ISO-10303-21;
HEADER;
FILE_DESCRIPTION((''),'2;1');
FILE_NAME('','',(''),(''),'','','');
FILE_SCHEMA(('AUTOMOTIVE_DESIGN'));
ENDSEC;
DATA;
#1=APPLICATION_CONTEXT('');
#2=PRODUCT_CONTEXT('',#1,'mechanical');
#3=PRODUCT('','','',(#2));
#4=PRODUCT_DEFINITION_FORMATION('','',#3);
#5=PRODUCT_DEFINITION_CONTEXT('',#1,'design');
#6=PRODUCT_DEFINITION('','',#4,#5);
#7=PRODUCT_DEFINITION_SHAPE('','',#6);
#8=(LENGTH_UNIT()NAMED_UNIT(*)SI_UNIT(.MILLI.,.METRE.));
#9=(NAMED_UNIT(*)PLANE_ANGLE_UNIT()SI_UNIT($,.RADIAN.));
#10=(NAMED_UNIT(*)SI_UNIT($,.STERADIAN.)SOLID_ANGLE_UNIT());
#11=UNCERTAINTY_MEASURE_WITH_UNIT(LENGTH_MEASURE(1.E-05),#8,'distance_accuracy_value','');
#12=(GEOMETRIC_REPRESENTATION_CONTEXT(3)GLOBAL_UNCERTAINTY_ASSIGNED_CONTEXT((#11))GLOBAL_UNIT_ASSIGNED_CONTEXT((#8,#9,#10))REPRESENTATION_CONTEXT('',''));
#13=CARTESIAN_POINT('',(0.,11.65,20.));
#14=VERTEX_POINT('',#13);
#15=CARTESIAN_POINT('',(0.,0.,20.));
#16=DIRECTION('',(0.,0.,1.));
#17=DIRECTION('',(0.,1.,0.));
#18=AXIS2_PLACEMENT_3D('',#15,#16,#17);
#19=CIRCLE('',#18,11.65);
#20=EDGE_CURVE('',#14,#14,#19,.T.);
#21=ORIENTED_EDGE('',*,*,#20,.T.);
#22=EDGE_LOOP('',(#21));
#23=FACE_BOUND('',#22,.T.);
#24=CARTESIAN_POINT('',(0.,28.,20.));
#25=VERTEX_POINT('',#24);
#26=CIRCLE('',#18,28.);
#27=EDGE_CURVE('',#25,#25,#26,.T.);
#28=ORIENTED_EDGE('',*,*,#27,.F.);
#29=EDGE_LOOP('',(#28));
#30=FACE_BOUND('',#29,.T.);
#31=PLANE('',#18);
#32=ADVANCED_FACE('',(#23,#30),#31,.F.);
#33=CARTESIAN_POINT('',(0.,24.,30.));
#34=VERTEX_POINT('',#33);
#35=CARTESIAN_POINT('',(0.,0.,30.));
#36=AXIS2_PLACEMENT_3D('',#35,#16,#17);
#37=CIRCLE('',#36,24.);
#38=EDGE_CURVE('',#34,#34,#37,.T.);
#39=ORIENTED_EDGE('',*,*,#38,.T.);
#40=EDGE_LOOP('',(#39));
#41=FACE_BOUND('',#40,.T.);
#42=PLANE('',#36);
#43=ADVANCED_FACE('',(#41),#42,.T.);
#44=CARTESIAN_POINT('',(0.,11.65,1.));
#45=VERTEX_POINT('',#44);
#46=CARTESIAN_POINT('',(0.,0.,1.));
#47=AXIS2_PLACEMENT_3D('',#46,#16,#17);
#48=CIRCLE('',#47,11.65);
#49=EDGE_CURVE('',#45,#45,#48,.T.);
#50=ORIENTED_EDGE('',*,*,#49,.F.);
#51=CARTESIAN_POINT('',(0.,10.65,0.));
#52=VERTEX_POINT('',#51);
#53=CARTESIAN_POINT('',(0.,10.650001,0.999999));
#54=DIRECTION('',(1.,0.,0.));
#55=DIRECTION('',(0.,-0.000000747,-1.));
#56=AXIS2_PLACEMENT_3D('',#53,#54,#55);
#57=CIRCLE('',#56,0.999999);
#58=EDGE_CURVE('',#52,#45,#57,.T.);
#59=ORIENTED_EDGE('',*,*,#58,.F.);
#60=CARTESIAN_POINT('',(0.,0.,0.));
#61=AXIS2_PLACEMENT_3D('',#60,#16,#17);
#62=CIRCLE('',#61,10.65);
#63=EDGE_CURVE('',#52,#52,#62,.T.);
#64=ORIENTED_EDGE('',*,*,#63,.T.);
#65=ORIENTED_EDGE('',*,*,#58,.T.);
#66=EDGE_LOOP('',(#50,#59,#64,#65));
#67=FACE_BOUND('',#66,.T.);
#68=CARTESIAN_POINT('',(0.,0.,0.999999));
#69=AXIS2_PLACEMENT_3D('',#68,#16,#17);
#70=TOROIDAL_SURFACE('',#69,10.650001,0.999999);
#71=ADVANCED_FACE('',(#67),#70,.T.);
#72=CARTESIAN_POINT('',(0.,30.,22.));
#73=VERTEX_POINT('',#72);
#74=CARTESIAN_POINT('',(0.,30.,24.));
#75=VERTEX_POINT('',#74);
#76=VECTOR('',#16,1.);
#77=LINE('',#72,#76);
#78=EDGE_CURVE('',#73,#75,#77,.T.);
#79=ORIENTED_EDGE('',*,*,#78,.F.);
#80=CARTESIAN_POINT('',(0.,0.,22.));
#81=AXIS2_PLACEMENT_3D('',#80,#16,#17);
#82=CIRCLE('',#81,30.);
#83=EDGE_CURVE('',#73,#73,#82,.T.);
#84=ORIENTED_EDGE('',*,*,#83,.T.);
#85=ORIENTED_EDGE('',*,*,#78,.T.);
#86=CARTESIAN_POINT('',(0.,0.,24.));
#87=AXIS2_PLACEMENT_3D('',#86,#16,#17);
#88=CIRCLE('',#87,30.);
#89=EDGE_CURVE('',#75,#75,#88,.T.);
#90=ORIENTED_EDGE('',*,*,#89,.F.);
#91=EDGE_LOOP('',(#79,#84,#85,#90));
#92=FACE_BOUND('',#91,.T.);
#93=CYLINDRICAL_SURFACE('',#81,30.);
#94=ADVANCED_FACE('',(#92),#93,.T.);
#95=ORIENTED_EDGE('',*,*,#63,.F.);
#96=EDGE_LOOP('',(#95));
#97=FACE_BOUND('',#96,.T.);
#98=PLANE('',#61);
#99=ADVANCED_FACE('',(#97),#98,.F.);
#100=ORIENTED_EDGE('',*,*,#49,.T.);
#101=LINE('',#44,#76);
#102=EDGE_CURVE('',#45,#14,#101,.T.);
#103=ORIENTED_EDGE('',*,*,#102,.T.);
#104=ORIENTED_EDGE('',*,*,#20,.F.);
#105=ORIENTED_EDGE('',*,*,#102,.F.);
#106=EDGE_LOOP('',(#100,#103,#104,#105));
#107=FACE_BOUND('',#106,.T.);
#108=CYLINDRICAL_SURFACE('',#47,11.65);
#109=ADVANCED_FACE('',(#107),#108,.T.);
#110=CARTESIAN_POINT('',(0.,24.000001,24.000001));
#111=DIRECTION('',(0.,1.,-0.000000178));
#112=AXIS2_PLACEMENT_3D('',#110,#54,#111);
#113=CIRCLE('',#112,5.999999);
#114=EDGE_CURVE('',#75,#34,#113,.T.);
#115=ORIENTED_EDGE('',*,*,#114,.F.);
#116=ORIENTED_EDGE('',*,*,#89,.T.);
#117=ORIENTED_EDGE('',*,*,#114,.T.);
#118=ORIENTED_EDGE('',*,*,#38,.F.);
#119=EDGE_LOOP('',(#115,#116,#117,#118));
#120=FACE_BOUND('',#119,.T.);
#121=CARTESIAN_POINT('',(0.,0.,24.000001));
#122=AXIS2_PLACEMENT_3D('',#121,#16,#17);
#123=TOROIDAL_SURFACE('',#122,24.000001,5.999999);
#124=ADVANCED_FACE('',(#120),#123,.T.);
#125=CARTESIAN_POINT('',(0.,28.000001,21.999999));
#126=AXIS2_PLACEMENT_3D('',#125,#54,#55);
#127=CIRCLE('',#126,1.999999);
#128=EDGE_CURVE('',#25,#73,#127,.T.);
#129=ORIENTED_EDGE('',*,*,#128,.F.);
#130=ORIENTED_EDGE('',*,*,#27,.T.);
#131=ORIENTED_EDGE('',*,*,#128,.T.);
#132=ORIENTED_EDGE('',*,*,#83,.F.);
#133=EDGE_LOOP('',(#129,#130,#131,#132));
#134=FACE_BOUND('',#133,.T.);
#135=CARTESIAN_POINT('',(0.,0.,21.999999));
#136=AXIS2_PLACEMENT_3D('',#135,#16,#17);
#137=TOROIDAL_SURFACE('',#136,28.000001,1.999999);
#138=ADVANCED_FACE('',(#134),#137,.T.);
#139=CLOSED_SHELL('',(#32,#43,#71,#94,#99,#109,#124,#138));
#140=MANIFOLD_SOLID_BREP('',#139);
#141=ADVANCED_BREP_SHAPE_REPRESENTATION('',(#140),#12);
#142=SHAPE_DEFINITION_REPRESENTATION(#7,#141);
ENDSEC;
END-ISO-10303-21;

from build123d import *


with BuildPart() as f1:
    # F0 (on Right) → F1 (revolve)
    with BuildSketch(Plane.YZ):
        with BuildLine():
            Line((0, 30), (0, 0))
            Line((0, 0), (10.65, 0))
            ThreePointArc((10.65, 0), (11.357107, 0.292893), (11.65, 1))
            Line((11.65, 1), (11.65, 20))
            Line((11.65, 20), (28, 20))
            ThreePointArc((28, 20), (29.414214, 20.585786), (30, 22))
            Line((30, 22), (30, 24))
            ThreePointArc((30, 24), (28.242641, 28.242641), (24, 30))
            Line((24, 30), (0, 30))
        make_face()
    revolve(axis=Axis((0, 0, 15), (0, 0, 1)))


solid = f1.part
